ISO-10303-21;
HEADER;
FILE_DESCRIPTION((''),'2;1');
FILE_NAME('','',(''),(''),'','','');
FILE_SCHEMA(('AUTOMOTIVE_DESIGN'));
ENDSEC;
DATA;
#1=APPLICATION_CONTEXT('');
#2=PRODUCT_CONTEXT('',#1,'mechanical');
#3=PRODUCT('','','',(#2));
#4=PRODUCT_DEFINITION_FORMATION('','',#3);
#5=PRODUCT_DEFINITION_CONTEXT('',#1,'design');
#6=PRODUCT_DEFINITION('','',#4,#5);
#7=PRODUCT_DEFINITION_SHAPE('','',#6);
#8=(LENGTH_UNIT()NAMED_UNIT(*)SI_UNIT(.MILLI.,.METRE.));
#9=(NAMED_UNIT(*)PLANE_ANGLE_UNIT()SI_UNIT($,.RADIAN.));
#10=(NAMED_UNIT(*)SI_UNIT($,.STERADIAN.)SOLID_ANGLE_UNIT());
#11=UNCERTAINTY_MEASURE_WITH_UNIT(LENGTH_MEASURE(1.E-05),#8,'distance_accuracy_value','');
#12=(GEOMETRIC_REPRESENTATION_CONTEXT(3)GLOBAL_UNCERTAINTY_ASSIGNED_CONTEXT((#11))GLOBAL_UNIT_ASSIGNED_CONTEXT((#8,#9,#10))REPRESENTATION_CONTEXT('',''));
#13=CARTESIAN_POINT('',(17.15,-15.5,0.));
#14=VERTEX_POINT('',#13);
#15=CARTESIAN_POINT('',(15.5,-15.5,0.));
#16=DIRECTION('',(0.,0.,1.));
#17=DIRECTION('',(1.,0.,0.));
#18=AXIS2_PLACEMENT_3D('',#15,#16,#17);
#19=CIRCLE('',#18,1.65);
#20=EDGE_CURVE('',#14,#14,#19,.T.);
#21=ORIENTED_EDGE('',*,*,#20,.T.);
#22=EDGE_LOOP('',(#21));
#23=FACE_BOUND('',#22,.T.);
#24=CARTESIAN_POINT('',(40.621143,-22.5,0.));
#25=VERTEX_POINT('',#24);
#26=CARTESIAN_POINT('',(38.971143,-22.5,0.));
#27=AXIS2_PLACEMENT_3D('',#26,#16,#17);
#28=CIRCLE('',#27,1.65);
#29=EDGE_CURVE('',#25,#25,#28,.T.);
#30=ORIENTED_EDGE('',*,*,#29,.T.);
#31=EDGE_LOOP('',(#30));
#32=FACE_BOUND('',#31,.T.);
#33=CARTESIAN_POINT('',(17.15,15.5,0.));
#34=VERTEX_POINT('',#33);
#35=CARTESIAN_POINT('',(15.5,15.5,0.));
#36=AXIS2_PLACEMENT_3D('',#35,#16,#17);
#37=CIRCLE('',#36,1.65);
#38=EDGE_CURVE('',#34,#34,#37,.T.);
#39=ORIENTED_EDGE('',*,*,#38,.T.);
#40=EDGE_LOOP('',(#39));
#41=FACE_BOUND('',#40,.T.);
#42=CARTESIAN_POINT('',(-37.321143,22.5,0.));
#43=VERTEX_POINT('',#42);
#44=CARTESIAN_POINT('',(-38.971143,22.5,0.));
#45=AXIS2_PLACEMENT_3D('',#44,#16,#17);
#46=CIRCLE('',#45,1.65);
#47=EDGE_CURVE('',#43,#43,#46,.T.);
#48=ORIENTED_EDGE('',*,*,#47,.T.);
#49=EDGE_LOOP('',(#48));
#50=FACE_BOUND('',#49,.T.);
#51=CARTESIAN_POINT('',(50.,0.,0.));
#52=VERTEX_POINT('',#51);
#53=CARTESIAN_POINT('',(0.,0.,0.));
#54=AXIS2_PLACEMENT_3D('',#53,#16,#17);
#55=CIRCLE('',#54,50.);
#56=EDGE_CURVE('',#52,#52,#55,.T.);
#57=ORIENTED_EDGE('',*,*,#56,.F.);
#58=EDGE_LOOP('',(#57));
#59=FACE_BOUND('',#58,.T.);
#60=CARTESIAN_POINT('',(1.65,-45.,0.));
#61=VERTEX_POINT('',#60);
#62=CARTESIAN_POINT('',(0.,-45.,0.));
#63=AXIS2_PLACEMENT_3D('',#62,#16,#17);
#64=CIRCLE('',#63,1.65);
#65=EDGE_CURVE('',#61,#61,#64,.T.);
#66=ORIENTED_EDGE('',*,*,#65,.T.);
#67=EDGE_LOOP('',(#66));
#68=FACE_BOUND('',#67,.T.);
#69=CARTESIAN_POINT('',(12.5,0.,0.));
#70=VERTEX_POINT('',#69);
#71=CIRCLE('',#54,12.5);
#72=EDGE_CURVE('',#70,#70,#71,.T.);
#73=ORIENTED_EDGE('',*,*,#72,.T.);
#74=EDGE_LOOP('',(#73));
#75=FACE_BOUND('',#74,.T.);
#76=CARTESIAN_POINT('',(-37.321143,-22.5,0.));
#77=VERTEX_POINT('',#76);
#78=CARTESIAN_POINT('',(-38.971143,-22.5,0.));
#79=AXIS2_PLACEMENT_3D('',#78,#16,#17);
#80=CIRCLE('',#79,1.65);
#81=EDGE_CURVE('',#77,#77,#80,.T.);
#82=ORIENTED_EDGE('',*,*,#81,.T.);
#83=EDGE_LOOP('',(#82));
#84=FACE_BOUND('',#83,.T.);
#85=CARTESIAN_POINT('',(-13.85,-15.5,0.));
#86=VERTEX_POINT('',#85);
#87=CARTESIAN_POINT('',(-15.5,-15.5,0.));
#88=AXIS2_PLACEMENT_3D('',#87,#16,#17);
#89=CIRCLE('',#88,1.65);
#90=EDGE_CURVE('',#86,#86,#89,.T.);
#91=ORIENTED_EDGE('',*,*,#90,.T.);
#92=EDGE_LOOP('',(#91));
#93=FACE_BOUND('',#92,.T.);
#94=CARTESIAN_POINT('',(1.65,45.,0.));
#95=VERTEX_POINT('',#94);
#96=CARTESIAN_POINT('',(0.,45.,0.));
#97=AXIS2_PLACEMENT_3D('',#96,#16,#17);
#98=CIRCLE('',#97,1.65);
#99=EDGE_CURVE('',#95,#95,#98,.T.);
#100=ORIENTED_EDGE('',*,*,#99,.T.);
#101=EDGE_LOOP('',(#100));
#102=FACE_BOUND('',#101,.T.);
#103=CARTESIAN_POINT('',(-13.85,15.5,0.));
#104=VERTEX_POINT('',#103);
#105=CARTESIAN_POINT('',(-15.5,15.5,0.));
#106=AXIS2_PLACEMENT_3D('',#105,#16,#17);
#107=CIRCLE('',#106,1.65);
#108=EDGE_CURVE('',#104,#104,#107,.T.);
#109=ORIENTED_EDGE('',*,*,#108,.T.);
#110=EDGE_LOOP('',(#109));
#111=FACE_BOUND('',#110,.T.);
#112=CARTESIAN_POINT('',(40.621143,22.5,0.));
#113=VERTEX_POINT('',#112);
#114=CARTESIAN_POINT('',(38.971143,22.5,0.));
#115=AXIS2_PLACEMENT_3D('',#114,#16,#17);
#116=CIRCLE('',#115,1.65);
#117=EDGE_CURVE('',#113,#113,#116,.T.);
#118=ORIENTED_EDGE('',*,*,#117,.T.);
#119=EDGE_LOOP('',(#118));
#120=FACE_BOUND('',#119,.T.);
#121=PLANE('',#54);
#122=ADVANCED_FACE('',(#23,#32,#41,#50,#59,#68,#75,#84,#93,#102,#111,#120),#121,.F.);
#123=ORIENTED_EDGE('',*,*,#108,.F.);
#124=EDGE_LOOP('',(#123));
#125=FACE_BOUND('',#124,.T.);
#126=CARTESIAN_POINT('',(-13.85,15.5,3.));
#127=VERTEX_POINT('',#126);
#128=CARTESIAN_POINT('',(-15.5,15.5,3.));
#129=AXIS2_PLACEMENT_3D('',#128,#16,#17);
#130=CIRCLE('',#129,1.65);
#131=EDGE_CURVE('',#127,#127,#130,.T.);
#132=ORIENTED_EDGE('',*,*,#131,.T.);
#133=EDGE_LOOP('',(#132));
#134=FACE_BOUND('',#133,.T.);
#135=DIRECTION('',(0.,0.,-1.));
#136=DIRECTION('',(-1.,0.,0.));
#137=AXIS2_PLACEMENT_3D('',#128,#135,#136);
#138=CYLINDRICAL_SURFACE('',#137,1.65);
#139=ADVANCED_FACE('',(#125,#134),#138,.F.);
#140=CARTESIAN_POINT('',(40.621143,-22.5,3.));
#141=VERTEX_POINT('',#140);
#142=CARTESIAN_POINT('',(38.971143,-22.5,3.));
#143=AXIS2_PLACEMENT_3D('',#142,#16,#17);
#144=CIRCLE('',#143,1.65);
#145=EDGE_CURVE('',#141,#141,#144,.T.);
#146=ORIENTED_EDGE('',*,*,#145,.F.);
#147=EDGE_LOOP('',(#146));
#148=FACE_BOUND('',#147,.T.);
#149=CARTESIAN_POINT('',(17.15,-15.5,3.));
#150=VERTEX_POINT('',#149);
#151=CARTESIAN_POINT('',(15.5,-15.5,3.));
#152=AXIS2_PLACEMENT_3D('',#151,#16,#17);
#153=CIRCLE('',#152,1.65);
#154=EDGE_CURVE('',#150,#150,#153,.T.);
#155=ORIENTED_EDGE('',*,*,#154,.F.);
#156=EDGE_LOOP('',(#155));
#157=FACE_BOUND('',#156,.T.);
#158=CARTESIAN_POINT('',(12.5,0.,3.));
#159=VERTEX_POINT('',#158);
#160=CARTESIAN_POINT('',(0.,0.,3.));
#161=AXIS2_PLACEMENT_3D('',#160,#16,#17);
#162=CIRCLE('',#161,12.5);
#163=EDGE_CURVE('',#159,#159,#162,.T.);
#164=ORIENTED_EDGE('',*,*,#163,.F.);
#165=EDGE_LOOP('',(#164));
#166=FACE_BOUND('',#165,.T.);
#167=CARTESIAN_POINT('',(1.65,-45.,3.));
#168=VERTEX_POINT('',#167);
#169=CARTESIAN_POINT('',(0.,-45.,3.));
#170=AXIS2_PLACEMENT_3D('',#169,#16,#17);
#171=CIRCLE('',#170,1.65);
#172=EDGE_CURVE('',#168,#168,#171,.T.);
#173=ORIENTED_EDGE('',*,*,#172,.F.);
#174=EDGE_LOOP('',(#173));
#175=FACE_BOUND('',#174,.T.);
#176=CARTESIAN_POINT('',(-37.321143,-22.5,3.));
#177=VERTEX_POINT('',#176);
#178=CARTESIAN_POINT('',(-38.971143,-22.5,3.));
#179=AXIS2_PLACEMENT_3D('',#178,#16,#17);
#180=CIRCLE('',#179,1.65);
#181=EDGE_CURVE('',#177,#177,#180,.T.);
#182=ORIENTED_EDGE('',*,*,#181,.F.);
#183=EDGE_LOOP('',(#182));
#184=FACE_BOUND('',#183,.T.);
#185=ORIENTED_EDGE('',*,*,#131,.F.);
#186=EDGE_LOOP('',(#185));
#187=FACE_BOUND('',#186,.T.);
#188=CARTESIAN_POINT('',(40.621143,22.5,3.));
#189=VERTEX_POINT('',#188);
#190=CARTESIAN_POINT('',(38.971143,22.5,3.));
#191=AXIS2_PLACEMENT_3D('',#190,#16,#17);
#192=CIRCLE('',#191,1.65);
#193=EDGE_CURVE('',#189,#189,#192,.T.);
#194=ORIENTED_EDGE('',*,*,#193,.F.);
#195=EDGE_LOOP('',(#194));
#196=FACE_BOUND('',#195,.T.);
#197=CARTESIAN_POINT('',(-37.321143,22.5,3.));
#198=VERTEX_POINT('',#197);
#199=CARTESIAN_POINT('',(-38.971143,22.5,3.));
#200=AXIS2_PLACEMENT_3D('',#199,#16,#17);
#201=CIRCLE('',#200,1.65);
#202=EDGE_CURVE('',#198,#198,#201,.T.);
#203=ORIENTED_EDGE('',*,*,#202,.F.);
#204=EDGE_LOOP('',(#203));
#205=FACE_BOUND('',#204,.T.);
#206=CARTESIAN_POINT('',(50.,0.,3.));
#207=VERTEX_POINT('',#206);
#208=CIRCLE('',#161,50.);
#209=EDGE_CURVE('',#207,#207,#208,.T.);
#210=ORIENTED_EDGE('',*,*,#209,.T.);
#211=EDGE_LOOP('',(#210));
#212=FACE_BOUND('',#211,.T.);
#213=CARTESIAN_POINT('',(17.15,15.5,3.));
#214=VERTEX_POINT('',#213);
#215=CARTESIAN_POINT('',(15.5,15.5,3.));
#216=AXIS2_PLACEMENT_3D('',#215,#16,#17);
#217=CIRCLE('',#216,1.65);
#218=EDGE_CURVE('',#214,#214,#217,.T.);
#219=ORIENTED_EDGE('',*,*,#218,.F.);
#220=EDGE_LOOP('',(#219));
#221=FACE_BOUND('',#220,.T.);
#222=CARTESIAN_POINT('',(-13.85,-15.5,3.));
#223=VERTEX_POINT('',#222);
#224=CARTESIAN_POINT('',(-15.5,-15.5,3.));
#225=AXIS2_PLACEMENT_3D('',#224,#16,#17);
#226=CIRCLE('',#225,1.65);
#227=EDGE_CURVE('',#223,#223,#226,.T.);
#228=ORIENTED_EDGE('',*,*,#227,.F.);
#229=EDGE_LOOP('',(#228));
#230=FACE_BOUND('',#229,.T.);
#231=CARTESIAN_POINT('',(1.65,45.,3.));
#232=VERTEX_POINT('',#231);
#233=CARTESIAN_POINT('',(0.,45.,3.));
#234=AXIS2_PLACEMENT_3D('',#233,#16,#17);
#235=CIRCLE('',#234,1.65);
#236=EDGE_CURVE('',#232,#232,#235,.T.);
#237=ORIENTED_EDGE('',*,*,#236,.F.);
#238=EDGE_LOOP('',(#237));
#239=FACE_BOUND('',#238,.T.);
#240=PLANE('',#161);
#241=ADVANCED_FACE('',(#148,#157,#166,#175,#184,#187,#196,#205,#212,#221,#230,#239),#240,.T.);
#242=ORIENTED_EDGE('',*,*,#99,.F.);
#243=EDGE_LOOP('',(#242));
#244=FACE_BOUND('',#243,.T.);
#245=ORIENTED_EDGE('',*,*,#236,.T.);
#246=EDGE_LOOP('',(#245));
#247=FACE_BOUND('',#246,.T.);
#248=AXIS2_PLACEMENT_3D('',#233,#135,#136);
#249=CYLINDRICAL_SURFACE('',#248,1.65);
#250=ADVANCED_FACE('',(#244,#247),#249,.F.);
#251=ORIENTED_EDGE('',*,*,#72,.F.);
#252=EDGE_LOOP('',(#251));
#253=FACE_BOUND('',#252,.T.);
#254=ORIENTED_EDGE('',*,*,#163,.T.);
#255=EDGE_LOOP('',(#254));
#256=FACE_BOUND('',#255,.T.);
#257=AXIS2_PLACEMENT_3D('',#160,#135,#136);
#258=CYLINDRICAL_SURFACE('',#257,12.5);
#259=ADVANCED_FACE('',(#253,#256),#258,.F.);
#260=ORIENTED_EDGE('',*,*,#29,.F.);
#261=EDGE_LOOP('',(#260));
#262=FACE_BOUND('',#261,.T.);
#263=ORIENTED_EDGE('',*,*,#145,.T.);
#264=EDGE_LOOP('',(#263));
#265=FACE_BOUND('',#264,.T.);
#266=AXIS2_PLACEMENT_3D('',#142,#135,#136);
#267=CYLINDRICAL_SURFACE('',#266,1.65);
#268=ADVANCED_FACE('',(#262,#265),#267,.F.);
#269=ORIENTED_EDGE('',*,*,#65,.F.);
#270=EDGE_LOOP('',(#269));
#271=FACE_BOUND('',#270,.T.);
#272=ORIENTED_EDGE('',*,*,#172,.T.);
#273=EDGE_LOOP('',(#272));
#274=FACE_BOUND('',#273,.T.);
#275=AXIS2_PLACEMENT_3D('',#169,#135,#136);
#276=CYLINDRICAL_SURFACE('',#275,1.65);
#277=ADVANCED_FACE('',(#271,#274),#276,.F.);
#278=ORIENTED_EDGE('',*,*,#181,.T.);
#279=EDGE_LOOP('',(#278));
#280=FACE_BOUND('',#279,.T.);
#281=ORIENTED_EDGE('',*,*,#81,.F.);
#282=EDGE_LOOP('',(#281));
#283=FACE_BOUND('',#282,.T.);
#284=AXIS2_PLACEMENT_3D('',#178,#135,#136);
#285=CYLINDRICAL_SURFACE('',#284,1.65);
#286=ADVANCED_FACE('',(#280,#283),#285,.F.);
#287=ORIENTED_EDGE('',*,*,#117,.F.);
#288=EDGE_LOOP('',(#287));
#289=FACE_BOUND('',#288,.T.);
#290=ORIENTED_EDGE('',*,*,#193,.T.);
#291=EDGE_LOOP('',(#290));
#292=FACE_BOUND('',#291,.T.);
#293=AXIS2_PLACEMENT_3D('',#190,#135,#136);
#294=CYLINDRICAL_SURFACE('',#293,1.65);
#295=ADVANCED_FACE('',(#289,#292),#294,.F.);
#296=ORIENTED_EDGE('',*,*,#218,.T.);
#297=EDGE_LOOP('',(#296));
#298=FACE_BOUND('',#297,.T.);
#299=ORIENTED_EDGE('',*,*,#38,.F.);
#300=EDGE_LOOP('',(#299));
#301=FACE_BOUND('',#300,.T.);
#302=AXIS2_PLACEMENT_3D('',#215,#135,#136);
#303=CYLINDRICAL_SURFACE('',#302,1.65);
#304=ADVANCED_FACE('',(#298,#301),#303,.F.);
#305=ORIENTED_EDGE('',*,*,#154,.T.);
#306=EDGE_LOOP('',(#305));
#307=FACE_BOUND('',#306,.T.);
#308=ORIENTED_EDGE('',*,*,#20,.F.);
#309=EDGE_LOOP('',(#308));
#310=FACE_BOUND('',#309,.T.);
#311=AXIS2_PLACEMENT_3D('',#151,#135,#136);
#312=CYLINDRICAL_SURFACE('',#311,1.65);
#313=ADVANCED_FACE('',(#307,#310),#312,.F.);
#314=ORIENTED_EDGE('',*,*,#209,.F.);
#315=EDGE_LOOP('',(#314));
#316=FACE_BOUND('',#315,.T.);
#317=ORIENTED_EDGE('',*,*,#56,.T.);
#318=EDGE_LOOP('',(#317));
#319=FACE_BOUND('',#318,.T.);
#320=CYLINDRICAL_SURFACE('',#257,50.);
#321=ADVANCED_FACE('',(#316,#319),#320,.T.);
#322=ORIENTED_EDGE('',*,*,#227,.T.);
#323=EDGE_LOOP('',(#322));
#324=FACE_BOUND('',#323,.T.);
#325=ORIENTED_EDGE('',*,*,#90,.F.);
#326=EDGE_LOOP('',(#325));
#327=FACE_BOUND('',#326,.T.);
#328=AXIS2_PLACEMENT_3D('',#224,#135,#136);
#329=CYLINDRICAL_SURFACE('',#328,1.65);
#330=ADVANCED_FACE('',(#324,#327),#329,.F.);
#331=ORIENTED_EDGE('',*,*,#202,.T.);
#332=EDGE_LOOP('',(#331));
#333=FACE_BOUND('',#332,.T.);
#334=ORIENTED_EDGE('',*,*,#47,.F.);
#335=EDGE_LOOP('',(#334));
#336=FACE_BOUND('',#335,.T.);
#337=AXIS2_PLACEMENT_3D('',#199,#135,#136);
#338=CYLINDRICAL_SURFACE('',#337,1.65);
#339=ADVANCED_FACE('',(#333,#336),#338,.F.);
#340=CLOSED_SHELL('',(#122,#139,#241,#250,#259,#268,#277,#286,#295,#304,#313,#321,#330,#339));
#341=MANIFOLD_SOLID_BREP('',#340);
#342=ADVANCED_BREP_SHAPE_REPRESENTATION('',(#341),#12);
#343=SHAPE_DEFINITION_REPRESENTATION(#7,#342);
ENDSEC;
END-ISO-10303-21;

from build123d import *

# Parameters (mm, degrees)
SKETCH_1_R      = 50
SKETCH_1_R_2    = 1.65
SKETCH_1_R_3    = 12.5
EXTRUDE_1_DEPTH = 3


with BuildPart() as part:
    # 草图1 → 凸台-拉伸1 (new body)
    with BuildSketch(Plane.XY):
        Circle(SKETCH_1_R)
        with Locations((-15.5, 15.5)):
            Circle(SKETCH_1_R_2, mode=Mode.SUBTRACT)
        with Locations((15.5, 15.5)):
            Circle(SKETCH_1_R_2, mode=Mode.SUBTRACT)
        with Locations((15.5, -15.5)):
            Circle(SKETCH_1_R_2, mode=Mode.SUBTRACT)
        with Locations((-15.5, -15.5)):
            Circle(SKETCH_1_R_2, mode=Mode.SUBTRACT)
        Circle(SKETCH_1_R_3, mode=Mode.SUBTRACT)
        with Locations((-38.97114317, 22.5)):
            Circle(SKETCH_1_R_2, mode=Mode.SUBTRACT)
        with Locations((0, 45)):
            Circle(SKETCH_1_R_2, mode=Mode.SUBTRACT)
        with Locations((38.97114317, 22.5)):
            Circle(SKETCH_1_R_2, mode=Mode.SUBTRACT)
        with Locations((38.97114317, -22.5)):
            Circle(SKETCH_1_R_2, mode=Mode.SUBTRACT)
        with Locations((0, -45)):
            Circle(SKETCH_1_R_2, mode=Mode.SUBTRACT)
        with Locations((-38.97114317, -22.5)):
            Circle(SKETCH_1_R_2, mode=Mode.SUBTRACT)
    extrude(amount=EXTRUDE_1_DEPTH)


solid = part.part
